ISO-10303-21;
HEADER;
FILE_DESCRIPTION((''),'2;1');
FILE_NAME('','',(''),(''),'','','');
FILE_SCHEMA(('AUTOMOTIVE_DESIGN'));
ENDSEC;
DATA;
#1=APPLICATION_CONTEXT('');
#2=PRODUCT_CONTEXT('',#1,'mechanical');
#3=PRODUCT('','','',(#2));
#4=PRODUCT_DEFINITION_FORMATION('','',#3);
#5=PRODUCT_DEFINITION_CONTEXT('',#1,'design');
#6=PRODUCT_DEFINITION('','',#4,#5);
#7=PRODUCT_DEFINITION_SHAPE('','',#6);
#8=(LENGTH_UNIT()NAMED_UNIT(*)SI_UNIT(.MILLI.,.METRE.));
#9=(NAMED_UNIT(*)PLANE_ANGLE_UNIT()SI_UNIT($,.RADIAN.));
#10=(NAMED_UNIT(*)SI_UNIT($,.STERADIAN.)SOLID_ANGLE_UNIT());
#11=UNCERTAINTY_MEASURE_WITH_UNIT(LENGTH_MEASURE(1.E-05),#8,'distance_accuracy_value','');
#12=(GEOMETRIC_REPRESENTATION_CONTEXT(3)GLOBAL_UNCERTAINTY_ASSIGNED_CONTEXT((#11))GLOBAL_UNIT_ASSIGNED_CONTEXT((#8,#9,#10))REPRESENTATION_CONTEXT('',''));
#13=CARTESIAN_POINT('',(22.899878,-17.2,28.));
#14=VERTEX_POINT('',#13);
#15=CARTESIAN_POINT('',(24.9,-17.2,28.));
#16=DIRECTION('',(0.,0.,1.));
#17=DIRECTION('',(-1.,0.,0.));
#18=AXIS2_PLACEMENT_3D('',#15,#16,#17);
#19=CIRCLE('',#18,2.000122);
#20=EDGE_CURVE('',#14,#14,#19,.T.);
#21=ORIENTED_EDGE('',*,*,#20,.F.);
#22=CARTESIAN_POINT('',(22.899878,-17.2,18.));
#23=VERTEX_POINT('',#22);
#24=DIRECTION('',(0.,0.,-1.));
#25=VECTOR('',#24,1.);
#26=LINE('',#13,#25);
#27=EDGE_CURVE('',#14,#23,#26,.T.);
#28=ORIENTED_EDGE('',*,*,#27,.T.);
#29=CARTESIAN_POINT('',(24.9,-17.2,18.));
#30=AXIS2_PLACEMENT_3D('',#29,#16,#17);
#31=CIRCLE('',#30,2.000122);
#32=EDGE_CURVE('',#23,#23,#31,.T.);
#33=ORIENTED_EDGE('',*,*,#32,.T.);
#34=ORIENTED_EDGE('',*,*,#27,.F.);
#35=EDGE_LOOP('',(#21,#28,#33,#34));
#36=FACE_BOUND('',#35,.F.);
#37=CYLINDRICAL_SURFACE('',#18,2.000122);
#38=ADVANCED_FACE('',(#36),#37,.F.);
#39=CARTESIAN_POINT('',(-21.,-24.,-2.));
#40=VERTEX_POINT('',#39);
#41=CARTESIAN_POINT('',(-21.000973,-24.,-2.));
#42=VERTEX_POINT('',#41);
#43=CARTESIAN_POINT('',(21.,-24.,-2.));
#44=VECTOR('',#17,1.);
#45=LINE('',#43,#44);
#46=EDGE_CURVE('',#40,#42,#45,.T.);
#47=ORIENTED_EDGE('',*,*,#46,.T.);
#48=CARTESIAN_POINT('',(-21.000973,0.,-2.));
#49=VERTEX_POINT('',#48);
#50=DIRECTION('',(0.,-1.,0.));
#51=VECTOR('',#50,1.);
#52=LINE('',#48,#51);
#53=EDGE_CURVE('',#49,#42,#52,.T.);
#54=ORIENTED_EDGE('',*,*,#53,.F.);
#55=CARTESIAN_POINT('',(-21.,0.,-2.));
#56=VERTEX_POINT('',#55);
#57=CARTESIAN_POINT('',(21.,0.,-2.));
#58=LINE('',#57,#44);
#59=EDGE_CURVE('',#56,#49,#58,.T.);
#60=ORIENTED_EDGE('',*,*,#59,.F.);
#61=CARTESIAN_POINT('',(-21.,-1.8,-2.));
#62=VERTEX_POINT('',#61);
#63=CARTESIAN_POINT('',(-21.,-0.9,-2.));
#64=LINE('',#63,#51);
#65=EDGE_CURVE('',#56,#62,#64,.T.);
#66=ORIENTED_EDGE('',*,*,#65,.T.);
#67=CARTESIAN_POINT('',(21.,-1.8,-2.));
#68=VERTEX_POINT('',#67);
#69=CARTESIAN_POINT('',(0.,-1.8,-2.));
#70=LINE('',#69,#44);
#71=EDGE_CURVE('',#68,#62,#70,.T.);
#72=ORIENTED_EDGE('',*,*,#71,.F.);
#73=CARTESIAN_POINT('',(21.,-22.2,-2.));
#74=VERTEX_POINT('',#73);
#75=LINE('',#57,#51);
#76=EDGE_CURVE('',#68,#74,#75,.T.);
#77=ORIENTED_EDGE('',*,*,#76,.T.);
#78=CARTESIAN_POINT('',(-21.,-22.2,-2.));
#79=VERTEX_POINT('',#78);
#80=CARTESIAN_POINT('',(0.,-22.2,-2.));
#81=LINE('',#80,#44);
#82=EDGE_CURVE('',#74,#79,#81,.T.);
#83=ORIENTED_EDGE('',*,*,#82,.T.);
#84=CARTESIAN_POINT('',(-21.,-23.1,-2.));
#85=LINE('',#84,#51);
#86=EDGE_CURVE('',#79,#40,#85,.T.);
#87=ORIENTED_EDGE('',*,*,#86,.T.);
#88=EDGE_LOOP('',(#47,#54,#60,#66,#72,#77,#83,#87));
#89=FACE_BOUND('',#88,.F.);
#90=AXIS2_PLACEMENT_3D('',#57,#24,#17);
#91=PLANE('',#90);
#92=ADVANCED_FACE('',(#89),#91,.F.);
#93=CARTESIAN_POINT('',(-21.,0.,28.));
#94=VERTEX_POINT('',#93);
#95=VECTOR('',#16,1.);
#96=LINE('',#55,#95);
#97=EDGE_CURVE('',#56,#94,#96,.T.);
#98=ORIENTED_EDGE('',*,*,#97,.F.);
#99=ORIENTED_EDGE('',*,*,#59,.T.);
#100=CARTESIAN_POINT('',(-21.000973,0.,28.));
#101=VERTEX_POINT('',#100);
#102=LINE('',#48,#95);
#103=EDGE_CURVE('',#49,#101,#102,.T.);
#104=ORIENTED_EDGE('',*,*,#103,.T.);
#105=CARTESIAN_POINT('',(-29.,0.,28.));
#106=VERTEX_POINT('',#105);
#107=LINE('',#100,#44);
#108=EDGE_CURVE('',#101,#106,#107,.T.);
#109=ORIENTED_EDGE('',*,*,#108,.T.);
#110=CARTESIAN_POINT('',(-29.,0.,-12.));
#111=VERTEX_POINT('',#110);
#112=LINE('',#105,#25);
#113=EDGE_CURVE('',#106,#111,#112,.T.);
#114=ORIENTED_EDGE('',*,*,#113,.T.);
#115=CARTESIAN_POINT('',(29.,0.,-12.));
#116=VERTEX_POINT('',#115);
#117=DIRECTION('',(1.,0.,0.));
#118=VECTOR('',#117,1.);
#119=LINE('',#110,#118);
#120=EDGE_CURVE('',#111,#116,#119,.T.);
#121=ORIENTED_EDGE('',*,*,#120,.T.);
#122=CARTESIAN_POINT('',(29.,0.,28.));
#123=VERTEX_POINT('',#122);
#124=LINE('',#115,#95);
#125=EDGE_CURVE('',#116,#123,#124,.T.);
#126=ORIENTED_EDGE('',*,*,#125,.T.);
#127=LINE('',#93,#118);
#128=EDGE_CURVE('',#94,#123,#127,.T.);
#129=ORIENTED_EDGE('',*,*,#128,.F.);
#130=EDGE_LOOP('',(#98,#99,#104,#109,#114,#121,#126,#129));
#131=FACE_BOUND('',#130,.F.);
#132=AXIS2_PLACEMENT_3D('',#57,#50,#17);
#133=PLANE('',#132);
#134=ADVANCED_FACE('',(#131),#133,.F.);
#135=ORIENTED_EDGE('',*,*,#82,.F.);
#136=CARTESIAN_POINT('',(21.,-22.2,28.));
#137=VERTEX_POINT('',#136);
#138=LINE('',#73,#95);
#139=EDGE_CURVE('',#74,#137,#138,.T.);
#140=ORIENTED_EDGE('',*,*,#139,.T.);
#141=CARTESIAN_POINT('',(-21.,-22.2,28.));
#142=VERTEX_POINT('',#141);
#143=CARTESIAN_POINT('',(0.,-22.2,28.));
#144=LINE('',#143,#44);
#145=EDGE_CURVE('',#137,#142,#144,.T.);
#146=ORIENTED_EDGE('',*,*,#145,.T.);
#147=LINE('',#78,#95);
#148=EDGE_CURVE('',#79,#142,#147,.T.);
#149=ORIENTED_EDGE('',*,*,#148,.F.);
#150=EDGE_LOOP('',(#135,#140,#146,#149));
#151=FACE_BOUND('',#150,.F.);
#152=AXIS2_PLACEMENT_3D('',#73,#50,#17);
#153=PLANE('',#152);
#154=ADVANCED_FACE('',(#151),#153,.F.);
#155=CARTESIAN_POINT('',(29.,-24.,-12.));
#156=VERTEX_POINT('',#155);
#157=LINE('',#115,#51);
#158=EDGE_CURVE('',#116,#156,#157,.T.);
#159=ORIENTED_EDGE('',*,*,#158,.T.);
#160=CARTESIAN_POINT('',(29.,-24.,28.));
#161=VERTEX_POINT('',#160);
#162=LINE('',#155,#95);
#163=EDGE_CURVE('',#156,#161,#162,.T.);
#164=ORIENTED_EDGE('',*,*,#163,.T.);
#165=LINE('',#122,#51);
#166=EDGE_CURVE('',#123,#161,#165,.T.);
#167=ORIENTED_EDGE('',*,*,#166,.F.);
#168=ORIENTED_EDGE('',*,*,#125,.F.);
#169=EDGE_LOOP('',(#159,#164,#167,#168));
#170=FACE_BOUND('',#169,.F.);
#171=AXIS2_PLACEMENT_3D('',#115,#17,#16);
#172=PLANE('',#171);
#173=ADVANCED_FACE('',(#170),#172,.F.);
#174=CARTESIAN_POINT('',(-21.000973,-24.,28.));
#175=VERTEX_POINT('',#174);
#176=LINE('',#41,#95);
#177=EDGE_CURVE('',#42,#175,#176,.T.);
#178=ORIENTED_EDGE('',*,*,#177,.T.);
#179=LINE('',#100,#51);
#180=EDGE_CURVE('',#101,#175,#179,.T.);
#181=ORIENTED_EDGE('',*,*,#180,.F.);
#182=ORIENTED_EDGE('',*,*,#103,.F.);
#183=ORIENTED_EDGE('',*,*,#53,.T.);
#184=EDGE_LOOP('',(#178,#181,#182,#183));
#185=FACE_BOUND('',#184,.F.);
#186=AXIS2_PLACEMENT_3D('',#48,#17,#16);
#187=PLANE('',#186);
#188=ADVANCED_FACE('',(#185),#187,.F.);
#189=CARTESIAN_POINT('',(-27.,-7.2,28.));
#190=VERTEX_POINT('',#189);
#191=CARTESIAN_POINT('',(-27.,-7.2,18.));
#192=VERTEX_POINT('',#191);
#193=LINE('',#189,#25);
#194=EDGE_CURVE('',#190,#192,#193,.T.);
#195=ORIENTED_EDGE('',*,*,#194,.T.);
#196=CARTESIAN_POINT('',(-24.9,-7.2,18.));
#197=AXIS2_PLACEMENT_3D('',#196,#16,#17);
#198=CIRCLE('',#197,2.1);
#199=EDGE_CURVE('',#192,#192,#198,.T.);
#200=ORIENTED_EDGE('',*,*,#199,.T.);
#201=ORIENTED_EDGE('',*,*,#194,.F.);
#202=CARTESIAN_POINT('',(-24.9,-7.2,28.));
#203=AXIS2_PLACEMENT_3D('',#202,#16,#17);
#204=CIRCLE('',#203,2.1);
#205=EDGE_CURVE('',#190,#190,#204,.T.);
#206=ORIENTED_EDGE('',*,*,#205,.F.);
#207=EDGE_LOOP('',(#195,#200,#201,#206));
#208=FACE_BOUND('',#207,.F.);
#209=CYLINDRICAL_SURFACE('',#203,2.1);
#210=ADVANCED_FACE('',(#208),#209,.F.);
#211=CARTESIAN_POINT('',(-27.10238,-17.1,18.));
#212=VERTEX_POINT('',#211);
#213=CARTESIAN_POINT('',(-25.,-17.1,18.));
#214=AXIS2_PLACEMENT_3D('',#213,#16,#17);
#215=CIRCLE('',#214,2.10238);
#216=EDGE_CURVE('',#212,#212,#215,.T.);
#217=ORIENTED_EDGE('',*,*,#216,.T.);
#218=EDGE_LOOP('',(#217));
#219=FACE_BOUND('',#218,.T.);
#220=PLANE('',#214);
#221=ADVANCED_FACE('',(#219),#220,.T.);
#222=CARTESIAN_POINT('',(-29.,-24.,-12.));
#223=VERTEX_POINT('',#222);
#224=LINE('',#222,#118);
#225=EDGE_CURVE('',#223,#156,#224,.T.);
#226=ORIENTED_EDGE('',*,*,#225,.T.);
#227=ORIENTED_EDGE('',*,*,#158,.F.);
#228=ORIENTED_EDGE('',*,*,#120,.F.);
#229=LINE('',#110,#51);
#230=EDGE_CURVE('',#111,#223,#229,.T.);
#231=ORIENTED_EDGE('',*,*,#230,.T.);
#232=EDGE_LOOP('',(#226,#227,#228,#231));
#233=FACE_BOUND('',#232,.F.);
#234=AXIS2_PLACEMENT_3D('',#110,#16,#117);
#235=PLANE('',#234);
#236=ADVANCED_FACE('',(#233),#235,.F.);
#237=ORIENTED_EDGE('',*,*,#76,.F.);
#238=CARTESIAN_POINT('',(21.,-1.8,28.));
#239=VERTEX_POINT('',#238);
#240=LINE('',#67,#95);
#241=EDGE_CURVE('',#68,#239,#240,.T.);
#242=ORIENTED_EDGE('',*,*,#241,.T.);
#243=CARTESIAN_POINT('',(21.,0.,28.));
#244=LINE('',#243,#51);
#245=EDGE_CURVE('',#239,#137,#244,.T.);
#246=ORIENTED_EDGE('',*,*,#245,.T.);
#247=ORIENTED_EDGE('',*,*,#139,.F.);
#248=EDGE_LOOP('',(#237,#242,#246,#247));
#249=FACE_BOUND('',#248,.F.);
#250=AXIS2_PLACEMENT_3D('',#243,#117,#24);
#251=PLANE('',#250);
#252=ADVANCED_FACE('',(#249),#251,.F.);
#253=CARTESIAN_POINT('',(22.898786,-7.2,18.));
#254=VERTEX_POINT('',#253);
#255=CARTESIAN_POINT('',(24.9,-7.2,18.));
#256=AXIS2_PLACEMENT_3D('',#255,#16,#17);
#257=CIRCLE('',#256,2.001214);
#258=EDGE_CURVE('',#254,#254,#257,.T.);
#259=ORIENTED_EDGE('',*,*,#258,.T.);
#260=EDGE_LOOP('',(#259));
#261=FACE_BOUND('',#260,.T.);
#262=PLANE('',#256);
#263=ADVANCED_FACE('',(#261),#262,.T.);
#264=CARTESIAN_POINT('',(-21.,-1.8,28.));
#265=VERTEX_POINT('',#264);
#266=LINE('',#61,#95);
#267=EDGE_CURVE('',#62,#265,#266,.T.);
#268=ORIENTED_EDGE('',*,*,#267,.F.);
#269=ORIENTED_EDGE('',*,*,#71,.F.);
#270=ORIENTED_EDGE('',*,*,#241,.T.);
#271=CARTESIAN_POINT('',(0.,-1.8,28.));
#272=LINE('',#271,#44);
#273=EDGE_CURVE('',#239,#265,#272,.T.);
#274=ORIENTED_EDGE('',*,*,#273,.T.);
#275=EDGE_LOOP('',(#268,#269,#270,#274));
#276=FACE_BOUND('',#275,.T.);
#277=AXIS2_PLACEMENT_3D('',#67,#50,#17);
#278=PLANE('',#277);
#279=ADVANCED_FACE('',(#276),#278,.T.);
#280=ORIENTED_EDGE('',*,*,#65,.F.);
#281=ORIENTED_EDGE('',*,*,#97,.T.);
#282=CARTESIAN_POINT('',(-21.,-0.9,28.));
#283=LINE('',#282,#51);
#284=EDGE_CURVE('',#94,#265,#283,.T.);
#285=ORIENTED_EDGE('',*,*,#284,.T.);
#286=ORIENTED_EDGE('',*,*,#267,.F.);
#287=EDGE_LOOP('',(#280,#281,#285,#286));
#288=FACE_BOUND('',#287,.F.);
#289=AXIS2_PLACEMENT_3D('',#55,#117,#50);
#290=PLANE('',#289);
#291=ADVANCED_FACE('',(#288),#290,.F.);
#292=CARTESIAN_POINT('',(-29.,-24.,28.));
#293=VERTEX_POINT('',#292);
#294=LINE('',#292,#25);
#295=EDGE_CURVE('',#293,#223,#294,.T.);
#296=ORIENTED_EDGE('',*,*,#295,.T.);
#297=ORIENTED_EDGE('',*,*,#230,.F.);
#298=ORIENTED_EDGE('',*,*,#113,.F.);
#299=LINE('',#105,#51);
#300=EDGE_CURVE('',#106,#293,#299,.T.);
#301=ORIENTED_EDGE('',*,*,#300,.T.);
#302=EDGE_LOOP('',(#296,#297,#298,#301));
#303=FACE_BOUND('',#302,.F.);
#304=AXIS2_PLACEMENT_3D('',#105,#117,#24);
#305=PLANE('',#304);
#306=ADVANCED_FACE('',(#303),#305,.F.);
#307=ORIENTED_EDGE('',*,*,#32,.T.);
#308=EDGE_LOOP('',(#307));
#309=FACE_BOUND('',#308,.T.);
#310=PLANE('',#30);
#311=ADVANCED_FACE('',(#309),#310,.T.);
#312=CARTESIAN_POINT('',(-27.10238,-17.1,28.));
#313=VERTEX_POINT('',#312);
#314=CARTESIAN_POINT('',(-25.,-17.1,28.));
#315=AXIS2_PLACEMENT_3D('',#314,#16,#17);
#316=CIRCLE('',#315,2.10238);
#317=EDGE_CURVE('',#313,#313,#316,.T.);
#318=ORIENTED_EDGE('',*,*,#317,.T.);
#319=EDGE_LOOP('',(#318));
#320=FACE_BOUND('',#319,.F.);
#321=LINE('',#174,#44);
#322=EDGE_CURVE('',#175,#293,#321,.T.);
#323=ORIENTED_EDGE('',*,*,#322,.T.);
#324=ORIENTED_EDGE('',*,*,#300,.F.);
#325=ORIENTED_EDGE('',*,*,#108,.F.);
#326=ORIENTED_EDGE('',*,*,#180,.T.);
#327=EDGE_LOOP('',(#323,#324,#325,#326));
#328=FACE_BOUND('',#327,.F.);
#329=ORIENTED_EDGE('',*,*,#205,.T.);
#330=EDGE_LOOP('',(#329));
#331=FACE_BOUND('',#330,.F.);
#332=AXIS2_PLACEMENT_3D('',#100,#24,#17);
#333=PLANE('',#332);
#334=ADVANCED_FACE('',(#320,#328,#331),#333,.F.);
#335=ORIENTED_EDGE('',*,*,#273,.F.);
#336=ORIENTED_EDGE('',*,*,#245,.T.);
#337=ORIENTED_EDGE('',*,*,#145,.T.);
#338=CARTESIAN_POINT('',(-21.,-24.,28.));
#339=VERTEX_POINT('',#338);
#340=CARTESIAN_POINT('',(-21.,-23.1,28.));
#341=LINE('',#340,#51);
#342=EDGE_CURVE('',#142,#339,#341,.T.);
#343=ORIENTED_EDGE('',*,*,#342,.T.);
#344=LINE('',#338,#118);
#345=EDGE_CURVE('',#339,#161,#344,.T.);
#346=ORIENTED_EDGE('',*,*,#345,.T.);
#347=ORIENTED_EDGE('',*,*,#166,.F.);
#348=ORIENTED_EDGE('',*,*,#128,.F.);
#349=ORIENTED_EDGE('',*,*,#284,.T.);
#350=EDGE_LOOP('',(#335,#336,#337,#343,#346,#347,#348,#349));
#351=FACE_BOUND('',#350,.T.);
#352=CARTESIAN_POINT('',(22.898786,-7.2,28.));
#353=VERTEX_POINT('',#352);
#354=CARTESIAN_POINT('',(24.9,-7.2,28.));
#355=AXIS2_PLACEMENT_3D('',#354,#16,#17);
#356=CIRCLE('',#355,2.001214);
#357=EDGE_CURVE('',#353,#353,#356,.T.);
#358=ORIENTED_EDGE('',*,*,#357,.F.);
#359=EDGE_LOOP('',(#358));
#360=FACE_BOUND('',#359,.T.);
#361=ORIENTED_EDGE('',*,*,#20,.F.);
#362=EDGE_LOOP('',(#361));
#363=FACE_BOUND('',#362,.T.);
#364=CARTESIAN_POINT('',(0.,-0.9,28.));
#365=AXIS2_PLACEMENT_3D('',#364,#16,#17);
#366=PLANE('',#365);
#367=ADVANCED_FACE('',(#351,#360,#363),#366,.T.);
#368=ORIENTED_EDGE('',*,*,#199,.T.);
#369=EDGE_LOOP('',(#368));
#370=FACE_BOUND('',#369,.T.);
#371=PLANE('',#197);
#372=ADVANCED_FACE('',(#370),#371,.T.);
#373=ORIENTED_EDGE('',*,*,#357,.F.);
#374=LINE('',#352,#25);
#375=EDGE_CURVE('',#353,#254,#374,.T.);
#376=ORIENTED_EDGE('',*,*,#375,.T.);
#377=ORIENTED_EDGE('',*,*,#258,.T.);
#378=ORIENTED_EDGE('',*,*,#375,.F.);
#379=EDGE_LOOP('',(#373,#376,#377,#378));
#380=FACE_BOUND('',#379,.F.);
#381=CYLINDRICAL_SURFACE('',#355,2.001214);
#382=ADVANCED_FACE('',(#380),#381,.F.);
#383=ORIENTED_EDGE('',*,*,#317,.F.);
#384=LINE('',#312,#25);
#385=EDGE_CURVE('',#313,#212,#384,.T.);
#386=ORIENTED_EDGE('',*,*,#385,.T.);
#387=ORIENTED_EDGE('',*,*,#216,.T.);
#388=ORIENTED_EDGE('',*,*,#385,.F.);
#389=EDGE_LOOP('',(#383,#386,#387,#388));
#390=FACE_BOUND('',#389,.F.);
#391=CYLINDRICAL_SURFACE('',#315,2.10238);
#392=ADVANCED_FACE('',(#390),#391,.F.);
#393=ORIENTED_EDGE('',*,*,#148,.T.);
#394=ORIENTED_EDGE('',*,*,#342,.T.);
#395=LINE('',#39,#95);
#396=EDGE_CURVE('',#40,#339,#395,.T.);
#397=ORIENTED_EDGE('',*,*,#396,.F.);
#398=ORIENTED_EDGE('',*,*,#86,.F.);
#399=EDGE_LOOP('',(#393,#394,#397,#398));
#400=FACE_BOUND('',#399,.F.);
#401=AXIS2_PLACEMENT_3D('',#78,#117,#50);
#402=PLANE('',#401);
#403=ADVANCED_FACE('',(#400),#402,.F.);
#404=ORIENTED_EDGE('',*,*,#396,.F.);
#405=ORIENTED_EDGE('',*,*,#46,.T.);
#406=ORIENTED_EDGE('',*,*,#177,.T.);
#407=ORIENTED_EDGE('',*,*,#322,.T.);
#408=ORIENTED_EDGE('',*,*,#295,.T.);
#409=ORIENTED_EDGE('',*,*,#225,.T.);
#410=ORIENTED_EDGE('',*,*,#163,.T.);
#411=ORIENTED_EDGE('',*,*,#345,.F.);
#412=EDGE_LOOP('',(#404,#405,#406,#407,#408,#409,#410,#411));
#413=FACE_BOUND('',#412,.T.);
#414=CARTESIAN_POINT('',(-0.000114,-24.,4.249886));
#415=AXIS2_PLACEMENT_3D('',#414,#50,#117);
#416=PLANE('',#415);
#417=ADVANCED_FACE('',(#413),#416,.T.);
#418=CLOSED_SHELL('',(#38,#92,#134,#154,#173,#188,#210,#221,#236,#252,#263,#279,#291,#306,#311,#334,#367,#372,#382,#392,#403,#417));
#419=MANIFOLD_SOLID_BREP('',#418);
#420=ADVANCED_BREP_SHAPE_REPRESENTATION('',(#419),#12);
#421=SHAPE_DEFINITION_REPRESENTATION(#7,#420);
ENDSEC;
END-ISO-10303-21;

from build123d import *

# Parameters (mm, degrees)
PAD004_DEPTH    = 24
SKETCH008_W     = 42
SKETCH008_H     = 1.8
PAD005_DEPTH    = 30
SKETCH010_R     = 2.000122
SKETCH010_R_2   = 2.001214
SKETCH010_R_3   = 2.1
SKETCH010_R_4   = 2.10238
POCKET003_DEPTH = 10


with BuildPart() as part:
    # Sketch006 → Pad004 (new body)
    with BuildSketch(Plane.XZ):
        Polygon((-21.000973, 28), (-29, 28), (-29, -2), (-29, -12), (29, -12), (29, 28), (21, 28), (21, -2), (-21.000973, -2), align=None)
    extrude(amount=PAD004_DEPTH)

    # Sketch008 → Pad005 (join)
    with BuildSketch(Plane(origin=(0, 0, -2), x_dir=(-1, 0, 0), z_dir=(0, 0, 1))):
        with Locations((0, 0.9)):
            Rectangle(SKETCH008_W, SKETCH008_H)
        with Locations((0, 23.1)):
            Rectangle(SKETCH008_W, SKETCH008_H)
    extrude(amount=PAD005_DEPTH)

    # Sketch010 → Pocket003 (cut)
    with BuildSketch(Plane(origin=(0, 0, 28), x_dir=(-1, 0, 0), z_dir=(0, 0, 1))):
        with Locations((-24.9, 17.2)):
            Circle(SKETCH010_R)
        with Locations((-24.9, 7.2)):
            Circle(SKETCH010_R_2)
        with Locations((24.9, 7.2)):
            Circle(SKETCH010_R_3)
        with Locations((25, 17.1)):
            Circle(SKETCH010_R_4)
    extrude(amount=-POCKET003_DEPTH, mode=Mode.SUBTRACT)


solid = part.part
